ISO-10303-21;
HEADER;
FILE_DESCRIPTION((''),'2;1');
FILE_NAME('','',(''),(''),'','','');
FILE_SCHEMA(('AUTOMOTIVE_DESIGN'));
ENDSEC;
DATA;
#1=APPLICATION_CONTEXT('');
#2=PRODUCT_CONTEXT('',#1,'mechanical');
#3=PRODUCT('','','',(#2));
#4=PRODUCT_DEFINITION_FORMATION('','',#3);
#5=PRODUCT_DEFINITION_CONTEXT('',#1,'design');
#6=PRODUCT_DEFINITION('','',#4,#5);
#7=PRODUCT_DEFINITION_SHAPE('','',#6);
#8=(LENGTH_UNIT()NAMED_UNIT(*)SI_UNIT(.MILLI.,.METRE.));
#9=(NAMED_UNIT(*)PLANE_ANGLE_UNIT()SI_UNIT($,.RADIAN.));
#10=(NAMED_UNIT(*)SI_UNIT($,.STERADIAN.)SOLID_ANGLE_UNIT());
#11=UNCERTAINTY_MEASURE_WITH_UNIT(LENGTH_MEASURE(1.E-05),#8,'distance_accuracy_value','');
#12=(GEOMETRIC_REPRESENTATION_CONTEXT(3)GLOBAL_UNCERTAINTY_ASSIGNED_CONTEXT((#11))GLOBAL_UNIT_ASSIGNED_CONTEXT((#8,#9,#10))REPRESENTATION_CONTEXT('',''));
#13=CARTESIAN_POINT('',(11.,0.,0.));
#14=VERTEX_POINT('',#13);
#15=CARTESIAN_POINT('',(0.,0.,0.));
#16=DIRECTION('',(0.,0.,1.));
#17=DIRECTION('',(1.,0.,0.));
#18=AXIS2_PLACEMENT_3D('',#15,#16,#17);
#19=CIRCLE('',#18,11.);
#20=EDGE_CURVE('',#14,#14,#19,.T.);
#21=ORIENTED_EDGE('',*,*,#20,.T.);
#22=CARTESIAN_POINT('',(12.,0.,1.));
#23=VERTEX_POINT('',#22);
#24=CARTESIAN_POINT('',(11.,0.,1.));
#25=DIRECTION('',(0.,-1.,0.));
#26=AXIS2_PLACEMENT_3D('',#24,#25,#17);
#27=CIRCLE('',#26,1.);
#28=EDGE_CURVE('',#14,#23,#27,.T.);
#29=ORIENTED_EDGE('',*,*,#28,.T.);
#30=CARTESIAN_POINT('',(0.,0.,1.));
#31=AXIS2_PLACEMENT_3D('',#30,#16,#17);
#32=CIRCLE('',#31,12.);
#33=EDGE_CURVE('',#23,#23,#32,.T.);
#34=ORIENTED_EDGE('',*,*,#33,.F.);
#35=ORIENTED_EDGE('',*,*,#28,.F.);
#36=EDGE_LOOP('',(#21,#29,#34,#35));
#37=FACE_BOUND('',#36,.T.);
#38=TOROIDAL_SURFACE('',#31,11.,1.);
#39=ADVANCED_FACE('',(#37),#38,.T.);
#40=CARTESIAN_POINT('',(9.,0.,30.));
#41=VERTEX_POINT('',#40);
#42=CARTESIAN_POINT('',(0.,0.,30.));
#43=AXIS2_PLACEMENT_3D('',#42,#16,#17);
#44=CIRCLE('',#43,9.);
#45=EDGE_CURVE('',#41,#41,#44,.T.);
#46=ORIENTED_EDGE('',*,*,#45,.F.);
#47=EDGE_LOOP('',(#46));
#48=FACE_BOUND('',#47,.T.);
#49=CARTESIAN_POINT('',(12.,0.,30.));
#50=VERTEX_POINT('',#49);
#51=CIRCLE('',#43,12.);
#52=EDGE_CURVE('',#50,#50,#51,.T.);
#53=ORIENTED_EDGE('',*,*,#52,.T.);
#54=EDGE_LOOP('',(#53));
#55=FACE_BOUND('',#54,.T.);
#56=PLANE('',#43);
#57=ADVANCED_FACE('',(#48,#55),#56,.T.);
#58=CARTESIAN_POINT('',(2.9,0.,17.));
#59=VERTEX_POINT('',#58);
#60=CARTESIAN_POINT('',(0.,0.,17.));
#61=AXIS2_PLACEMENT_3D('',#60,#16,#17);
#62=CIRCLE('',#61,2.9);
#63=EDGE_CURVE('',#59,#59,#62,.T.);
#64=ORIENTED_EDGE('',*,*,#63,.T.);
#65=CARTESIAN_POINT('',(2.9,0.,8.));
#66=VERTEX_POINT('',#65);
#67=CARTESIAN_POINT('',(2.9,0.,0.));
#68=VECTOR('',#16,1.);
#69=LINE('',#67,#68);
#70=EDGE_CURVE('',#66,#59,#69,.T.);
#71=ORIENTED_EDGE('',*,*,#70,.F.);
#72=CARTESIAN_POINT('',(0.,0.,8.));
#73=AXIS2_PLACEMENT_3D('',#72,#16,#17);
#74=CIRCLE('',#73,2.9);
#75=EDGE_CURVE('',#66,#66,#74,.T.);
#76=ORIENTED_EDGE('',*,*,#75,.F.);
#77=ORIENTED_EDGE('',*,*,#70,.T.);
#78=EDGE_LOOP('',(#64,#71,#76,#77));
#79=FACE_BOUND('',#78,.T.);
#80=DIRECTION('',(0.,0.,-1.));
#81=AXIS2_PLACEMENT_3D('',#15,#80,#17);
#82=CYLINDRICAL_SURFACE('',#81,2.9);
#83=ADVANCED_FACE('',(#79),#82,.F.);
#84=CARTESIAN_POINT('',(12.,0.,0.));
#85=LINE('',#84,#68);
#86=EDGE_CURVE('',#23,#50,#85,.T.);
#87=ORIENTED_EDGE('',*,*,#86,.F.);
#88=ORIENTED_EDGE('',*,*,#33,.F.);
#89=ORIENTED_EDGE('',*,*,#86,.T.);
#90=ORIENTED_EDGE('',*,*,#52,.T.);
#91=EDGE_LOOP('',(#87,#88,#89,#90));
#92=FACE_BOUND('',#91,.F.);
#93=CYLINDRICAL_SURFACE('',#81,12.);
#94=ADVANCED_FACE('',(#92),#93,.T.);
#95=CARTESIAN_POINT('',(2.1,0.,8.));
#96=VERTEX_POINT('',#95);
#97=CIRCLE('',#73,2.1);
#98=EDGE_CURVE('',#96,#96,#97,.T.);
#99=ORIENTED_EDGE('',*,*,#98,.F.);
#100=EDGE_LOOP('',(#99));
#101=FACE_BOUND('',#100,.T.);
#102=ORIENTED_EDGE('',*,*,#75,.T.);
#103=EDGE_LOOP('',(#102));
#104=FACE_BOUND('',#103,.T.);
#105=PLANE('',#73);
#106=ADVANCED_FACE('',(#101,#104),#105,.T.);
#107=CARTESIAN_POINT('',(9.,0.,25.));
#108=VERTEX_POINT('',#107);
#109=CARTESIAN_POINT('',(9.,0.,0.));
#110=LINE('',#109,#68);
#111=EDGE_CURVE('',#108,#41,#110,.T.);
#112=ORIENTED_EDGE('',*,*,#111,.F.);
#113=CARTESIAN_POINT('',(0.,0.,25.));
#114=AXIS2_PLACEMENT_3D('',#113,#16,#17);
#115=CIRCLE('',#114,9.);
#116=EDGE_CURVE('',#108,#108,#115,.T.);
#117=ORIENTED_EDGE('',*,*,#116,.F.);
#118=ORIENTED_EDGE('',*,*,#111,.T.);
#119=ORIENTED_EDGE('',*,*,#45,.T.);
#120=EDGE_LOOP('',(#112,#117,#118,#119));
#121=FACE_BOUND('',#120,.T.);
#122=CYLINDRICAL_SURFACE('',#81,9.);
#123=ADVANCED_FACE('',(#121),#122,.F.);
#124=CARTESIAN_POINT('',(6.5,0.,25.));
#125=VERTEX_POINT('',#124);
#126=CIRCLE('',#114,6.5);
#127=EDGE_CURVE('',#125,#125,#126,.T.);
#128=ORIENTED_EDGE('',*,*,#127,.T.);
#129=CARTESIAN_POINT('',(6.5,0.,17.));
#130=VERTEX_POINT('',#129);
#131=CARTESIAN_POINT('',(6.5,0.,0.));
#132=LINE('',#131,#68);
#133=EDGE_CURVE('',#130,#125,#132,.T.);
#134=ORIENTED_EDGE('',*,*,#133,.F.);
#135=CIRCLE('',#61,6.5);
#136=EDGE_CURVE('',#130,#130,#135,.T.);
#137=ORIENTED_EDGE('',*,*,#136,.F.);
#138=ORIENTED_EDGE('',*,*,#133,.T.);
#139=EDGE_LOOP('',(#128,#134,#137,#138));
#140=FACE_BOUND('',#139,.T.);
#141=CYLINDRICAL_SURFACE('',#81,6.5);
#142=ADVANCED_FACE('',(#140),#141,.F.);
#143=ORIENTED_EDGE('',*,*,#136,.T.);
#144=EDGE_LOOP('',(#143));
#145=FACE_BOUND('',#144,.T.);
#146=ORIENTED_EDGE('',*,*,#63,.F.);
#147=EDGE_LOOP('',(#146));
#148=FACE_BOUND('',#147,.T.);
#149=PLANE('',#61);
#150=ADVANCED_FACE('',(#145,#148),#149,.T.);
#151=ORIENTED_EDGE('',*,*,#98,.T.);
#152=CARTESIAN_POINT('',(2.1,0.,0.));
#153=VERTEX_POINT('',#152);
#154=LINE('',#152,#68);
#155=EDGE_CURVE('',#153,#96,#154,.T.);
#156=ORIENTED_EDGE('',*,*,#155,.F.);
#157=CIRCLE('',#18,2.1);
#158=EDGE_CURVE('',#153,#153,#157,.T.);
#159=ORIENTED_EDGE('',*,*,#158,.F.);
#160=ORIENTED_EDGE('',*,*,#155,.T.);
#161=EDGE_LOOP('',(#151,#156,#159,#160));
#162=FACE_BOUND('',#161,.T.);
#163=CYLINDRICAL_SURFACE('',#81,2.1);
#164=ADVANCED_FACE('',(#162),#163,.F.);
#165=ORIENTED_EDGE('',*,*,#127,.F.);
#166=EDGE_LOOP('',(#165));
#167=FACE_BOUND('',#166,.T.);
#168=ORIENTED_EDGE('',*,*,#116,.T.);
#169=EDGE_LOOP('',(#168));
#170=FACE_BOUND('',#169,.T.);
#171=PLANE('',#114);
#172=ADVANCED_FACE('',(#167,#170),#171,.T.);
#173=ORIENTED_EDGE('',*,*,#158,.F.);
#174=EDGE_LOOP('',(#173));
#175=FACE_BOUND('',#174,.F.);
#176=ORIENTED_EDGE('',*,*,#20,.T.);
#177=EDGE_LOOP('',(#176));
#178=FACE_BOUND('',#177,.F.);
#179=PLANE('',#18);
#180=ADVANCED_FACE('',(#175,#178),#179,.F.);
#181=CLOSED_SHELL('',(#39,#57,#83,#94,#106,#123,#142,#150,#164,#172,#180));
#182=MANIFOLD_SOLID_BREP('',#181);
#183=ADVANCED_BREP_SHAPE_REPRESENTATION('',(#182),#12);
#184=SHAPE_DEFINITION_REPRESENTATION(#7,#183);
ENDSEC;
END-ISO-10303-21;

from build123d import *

# Parameters (mm, degrees)
F0_R     = 12
F0_R_2   = 9
F1_DEPTH = 30
F0_R_3   = 6.5
F2_DEPTH = 25
F0_R_4   = 2.9
F3_DEPTH = 17
F0_R_5   = 2.1
F4_DEPTH = 8
F5_R     = 1


with BuildPart() as f1:
    # F0 (on Top) → F1 (new body)
    with BuildSketch(Plane.XY):
        Circle(F0_R)
        Circle(F0_R_2, mode=Mode.SUBTRACT)
    extrude(amount=F1_DEPTH)

    # F0 (on Top) → F2 (join)
    with BuildSketch(Plane.XY):
        Circle(F0_R_2)
        Circle(F0_R_3, mode=Mode.SUBTRACT)
    extrude(amount=F2_DEPTH)

    # F0 (on Top) → F3 (join)
    with BuildSketch(Plane.XY):
        Circle(F0_R_3)
        Circle(F0_R_4, mode=Mode.SUBTRACT)
    extrude(amount=F3_DEPTH)

    # F0 (on Top) → F4 (join)
    with BuildSketch(Plane.XY):
        Circle(F0_R_4)
        Circle(F0_R_5, mode=Mode.SUBTRACT)
    extrude(amount=F4_DEPTH)

    # F5
    f5_edges = [f1.edges().sort_by_distance(p)[0] for p in [
        (-12, 0, 0),
    ]]
    fillet(f5_edges, radius=F5_R)


solid = f1.part
